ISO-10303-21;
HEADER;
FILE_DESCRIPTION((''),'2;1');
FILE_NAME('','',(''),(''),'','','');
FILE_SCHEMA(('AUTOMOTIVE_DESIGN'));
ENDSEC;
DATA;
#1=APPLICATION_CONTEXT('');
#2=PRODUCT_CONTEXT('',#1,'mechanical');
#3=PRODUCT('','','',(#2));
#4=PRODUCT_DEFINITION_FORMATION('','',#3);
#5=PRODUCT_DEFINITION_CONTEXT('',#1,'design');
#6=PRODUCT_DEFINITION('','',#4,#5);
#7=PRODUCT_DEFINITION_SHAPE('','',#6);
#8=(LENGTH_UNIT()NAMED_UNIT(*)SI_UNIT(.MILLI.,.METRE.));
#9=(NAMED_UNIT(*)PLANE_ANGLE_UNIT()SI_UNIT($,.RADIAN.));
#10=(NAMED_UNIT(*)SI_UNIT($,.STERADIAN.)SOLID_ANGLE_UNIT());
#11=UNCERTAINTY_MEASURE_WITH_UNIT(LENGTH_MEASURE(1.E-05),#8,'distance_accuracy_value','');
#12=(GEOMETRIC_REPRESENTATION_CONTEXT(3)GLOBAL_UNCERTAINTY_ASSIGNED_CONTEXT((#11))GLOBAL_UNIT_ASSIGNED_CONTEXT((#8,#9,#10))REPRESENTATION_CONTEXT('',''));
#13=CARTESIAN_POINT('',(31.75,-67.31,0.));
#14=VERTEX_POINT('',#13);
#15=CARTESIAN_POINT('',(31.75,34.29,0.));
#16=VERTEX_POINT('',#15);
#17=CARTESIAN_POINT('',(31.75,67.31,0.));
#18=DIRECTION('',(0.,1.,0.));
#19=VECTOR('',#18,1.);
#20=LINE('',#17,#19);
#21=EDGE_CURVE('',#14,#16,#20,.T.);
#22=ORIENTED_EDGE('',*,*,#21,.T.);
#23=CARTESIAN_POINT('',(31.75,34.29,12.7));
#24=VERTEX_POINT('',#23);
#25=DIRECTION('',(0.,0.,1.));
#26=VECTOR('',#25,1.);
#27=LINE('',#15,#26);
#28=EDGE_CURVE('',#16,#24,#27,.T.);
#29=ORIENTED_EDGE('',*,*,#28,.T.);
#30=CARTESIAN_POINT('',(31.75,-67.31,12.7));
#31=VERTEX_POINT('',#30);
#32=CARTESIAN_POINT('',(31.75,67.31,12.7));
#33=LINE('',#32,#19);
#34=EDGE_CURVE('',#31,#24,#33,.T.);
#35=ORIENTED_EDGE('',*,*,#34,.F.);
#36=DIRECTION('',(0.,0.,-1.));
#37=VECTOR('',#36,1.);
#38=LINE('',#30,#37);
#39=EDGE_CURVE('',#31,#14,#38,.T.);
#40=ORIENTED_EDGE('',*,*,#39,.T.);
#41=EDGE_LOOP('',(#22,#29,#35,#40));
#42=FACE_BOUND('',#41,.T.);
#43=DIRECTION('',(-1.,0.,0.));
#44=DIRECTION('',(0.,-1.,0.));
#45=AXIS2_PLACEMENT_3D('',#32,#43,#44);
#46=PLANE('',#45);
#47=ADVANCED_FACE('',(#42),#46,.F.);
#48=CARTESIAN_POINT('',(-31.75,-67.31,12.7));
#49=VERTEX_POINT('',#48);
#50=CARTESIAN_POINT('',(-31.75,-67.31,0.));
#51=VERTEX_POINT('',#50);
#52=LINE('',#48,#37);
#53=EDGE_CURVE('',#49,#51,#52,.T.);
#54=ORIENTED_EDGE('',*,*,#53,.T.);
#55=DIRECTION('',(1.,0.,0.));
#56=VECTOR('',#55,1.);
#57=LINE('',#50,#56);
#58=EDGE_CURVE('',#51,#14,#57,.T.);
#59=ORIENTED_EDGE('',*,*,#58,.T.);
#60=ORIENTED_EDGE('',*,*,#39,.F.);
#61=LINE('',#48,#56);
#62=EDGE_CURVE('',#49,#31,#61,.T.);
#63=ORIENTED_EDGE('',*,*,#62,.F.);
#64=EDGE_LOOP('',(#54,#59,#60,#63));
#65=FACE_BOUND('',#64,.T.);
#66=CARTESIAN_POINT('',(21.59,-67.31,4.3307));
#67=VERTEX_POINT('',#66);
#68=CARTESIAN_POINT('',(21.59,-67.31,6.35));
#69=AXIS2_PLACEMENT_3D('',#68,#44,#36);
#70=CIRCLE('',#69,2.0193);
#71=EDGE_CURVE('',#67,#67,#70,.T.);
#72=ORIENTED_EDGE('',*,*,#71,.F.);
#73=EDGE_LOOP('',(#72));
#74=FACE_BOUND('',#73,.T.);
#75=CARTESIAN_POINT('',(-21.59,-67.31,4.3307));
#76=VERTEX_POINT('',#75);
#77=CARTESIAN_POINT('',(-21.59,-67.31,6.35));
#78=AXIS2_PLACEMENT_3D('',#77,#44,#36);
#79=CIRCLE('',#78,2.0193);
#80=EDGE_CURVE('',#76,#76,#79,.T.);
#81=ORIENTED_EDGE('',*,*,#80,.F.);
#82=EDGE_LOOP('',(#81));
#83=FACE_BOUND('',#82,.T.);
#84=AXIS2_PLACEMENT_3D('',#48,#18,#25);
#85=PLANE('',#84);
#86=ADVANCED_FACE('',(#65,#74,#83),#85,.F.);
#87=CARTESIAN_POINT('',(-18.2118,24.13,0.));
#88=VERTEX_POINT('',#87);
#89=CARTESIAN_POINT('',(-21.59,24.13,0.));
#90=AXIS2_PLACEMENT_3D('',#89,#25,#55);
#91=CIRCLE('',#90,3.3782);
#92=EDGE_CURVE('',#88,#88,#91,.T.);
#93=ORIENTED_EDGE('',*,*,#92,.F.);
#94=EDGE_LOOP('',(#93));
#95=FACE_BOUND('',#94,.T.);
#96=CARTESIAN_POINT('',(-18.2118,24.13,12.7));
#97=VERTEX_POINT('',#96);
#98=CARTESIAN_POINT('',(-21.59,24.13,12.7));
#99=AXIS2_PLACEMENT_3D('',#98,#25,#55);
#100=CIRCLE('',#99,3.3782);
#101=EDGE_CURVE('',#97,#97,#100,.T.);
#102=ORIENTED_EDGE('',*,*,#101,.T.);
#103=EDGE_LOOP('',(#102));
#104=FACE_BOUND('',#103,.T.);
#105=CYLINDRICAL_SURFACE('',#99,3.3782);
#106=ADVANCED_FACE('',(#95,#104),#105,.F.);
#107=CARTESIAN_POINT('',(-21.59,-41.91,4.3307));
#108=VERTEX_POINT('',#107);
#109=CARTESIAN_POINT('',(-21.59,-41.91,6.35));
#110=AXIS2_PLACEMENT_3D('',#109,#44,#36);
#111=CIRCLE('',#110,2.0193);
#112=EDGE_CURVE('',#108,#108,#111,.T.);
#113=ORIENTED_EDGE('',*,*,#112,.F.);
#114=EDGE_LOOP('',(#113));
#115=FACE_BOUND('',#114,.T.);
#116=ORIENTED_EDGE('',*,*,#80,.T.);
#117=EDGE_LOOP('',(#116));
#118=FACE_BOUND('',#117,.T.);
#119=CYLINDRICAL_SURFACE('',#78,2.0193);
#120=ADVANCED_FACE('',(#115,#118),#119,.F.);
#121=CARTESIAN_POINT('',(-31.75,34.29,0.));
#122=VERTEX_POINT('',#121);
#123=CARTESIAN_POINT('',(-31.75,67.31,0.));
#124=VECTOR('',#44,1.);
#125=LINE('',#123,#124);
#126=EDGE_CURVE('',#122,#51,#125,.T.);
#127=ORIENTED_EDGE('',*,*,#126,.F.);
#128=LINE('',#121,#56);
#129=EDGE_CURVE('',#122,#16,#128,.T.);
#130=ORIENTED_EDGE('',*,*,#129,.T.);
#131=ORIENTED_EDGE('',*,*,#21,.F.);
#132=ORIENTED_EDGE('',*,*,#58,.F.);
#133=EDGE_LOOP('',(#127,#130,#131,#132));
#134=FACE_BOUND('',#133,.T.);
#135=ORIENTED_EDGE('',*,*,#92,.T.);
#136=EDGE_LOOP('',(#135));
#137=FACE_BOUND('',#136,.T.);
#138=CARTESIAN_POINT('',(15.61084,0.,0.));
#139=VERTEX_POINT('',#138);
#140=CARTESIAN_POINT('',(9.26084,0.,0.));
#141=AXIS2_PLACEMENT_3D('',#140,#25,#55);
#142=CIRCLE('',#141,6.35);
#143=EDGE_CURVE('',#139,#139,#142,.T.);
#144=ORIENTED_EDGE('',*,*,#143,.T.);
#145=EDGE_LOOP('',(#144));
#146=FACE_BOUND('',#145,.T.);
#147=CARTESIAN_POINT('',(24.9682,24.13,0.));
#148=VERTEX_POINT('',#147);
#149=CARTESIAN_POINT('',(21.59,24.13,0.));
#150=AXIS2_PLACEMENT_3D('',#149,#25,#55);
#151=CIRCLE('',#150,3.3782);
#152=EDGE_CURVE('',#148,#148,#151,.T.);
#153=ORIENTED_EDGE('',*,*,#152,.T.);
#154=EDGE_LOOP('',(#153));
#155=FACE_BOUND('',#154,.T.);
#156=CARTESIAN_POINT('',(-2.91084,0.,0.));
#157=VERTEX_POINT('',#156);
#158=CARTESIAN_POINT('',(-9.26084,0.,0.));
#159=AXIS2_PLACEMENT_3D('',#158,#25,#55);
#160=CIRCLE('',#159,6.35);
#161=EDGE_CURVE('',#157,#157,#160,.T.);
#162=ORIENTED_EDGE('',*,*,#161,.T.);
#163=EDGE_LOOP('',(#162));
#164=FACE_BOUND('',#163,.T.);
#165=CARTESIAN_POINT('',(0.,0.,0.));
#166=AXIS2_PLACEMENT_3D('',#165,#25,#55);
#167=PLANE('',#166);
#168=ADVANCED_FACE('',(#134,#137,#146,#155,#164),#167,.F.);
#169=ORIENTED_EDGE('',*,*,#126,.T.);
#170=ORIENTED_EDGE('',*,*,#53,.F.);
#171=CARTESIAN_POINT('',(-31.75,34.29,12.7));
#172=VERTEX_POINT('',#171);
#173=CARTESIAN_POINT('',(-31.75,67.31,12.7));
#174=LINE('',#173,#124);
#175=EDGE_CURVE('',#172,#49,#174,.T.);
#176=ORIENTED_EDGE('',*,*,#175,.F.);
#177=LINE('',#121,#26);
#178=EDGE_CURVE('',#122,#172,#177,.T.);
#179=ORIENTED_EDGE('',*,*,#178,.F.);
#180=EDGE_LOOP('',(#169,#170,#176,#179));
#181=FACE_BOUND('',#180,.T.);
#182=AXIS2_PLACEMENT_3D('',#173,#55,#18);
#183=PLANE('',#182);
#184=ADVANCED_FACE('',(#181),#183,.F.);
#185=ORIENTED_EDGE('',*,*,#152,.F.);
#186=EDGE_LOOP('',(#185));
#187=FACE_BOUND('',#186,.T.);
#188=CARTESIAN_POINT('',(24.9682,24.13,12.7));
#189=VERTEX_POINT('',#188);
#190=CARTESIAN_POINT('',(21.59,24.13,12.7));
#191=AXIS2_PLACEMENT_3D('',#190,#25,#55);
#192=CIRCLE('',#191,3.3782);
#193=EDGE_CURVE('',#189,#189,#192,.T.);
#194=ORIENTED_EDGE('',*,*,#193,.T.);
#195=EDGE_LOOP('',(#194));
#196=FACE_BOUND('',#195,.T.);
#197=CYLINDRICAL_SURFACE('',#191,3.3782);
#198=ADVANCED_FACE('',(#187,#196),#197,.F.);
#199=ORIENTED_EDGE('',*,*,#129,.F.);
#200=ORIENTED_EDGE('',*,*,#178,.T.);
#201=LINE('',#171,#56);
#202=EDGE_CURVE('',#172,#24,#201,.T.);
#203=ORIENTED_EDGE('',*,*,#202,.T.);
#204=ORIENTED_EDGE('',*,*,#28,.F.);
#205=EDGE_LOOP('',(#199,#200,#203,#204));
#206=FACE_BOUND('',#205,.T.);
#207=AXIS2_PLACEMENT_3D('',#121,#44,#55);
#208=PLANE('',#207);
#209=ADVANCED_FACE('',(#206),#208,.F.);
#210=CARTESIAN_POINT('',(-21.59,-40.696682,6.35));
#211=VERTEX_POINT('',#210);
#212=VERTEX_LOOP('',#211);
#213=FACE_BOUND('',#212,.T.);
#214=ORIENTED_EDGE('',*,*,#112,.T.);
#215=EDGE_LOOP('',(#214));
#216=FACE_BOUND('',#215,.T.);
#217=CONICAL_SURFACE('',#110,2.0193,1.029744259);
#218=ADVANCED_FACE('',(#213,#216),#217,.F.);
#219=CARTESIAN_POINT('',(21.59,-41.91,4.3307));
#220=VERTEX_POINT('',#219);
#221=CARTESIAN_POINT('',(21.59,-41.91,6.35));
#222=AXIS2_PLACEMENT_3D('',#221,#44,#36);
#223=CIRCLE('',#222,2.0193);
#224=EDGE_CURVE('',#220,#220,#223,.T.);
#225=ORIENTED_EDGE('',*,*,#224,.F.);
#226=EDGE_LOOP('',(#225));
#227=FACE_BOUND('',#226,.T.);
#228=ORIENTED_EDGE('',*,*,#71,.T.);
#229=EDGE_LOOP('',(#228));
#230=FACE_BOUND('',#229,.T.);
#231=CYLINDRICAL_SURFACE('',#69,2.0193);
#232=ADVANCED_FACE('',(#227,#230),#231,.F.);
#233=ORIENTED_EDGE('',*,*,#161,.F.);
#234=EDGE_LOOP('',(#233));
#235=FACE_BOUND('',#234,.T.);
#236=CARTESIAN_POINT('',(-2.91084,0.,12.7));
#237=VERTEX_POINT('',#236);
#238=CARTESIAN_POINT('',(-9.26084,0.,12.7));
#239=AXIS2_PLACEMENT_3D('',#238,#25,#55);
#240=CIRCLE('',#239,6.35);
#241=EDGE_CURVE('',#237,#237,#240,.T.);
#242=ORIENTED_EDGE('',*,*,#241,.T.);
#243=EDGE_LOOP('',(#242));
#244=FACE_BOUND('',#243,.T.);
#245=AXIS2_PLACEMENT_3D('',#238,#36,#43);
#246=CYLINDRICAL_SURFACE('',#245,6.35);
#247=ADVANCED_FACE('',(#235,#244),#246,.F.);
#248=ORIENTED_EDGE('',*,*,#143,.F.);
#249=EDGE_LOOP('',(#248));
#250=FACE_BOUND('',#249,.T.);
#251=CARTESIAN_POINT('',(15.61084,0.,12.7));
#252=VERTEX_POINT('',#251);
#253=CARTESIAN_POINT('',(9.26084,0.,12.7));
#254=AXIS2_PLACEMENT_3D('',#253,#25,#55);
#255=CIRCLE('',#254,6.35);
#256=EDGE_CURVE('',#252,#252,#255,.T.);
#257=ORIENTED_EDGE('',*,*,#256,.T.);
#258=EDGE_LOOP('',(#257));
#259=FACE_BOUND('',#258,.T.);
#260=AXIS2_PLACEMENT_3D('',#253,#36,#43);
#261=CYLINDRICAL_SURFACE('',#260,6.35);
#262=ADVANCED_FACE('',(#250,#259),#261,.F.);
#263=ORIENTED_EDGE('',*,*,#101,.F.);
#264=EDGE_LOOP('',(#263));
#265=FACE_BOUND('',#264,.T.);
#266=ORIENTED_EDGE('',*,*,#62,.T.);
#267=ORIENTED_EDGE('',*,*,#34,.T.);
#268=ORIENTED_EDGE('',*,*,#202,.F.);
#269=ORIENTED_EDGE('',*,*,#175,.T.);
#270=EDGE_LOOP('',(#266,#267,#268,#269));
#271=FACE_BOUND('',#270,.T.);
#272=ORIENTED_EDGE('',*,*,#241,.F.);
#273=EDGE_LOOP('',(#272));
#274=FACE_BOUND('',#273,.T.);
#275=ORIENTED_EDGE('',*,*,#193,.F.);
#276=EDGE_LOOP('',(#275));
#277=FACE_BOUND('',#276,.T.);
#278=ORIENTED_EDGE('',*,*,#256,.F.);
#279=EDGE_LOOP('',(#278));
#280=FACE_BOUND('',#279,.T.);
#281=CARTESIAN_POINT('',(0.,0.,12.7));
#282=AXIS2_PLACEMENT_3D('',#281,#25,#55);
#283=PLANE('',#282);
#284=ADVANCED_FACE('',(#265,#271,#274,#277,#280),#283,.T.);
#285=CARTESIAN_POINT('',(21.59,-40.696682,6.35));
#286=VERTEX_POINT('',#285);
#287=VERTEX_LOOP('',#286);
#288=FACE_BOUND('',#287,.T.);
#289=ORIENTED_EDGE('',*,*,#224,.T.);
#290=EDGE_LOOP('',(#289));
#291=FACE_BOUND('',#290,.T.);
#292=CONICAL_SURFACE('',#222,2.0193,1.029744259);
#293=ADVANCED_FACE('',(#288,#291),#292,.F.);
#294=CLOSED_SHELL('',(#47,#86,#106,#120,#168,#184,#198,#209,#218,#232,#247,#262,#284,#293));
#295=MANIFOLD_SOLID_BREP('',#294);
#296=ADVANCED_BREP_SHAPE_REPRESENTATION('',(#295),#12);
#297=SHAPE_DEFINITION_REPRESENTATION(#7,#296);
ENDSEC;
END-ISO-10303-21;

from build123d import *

# Parameters (mm, degrees)
SKETCH1_W               = 63.5
SKETCH1_H               = 134.62
SKETCH1_R               = 6.35
BOSS_EXTRUDE1_DEPTH     = 12.7
SKETCH2_W               = 63.5
SKETCH2_H               = 33.02
CUT_EXTRUDE1_DEPTH      = 76.498268854
F_1_4_CLEARANCE_HOLE1_D = 6.7564


with BuildPart() as part:
    # Sketch1 → Boss-Extrude1 (new body)
    with BuildSketch(Plane.XY):
        Rectangle(SKETCH1_W, SKETCH1_H)
        with Locations((-9.26084, 0)):
            Circle(SKETCH1_R, mode=Mode.SUBTRACT)
        with Locations((9.26084, 0)):
            Circle(SKETCH1_R, mode=Mode.SUBTRACT)
    extrude(amount=BOSS_EXTRUDE1_DEPTH)

    # Sketch2 → Cut-Extrude1 (cut, through all)
    with BuildSketch(Plane.XY.offset(12.7)):
        with Locations((0, 50.8)):
            Rectangle(SKETCH2_W, SKETCH2_H)
    extrude(amount=-CUT_EXTRUDE1_DEPTH, mode=Mode.SUBTRACT)

    # 1/4 Clearance Hole1 (through all)
    with Locations(Plane.XY.offset(12.7)):
        with Locations((-21.59, 24.13)):
            f_1_4_clearance_hole1 = Hole(F_1_4_CLEARANCE_HOLE1_D / 2)

    # Mirror1: 1/4 Clearance Hole1 across plane
    add(f_1_4_clearance_hole1.mirror(Plane(origin=(0, 0, 0), x_dir=(0, 0, 1), z_dir=(1, 0, 0))), mode=Mode.SUBTRACT)

    # Sketch8 → #10-32 Tapped Hole1 (revolve, cut)
    with BuildSketch(Plane(origin=(-21.59, -67.31, 6.35), x_dir=(0, 0, -1), z_dir=(1, 0, 0))):
        Polygon((0, 0), (0, 26.613317848), (2.0193, 25.4), (2.0193, 0), align=None)
    f_10_32_tapped_hole1 = revolve(axis=Axis((-21.59, -73.66, 6.35), (0, 1, 0)), mode=Mode.SUBTRACT)

    # Mirror2: #10-32 Tapped Hole1 across plane
    add(f_10_32_tapped_hole1.mirror(Plane(origin=(0, 0, 0), x_dir=(0, 0, 1), z_dir=(1, 0, 0))), mode=Mode.SUBTRACT)


solid = part.part
